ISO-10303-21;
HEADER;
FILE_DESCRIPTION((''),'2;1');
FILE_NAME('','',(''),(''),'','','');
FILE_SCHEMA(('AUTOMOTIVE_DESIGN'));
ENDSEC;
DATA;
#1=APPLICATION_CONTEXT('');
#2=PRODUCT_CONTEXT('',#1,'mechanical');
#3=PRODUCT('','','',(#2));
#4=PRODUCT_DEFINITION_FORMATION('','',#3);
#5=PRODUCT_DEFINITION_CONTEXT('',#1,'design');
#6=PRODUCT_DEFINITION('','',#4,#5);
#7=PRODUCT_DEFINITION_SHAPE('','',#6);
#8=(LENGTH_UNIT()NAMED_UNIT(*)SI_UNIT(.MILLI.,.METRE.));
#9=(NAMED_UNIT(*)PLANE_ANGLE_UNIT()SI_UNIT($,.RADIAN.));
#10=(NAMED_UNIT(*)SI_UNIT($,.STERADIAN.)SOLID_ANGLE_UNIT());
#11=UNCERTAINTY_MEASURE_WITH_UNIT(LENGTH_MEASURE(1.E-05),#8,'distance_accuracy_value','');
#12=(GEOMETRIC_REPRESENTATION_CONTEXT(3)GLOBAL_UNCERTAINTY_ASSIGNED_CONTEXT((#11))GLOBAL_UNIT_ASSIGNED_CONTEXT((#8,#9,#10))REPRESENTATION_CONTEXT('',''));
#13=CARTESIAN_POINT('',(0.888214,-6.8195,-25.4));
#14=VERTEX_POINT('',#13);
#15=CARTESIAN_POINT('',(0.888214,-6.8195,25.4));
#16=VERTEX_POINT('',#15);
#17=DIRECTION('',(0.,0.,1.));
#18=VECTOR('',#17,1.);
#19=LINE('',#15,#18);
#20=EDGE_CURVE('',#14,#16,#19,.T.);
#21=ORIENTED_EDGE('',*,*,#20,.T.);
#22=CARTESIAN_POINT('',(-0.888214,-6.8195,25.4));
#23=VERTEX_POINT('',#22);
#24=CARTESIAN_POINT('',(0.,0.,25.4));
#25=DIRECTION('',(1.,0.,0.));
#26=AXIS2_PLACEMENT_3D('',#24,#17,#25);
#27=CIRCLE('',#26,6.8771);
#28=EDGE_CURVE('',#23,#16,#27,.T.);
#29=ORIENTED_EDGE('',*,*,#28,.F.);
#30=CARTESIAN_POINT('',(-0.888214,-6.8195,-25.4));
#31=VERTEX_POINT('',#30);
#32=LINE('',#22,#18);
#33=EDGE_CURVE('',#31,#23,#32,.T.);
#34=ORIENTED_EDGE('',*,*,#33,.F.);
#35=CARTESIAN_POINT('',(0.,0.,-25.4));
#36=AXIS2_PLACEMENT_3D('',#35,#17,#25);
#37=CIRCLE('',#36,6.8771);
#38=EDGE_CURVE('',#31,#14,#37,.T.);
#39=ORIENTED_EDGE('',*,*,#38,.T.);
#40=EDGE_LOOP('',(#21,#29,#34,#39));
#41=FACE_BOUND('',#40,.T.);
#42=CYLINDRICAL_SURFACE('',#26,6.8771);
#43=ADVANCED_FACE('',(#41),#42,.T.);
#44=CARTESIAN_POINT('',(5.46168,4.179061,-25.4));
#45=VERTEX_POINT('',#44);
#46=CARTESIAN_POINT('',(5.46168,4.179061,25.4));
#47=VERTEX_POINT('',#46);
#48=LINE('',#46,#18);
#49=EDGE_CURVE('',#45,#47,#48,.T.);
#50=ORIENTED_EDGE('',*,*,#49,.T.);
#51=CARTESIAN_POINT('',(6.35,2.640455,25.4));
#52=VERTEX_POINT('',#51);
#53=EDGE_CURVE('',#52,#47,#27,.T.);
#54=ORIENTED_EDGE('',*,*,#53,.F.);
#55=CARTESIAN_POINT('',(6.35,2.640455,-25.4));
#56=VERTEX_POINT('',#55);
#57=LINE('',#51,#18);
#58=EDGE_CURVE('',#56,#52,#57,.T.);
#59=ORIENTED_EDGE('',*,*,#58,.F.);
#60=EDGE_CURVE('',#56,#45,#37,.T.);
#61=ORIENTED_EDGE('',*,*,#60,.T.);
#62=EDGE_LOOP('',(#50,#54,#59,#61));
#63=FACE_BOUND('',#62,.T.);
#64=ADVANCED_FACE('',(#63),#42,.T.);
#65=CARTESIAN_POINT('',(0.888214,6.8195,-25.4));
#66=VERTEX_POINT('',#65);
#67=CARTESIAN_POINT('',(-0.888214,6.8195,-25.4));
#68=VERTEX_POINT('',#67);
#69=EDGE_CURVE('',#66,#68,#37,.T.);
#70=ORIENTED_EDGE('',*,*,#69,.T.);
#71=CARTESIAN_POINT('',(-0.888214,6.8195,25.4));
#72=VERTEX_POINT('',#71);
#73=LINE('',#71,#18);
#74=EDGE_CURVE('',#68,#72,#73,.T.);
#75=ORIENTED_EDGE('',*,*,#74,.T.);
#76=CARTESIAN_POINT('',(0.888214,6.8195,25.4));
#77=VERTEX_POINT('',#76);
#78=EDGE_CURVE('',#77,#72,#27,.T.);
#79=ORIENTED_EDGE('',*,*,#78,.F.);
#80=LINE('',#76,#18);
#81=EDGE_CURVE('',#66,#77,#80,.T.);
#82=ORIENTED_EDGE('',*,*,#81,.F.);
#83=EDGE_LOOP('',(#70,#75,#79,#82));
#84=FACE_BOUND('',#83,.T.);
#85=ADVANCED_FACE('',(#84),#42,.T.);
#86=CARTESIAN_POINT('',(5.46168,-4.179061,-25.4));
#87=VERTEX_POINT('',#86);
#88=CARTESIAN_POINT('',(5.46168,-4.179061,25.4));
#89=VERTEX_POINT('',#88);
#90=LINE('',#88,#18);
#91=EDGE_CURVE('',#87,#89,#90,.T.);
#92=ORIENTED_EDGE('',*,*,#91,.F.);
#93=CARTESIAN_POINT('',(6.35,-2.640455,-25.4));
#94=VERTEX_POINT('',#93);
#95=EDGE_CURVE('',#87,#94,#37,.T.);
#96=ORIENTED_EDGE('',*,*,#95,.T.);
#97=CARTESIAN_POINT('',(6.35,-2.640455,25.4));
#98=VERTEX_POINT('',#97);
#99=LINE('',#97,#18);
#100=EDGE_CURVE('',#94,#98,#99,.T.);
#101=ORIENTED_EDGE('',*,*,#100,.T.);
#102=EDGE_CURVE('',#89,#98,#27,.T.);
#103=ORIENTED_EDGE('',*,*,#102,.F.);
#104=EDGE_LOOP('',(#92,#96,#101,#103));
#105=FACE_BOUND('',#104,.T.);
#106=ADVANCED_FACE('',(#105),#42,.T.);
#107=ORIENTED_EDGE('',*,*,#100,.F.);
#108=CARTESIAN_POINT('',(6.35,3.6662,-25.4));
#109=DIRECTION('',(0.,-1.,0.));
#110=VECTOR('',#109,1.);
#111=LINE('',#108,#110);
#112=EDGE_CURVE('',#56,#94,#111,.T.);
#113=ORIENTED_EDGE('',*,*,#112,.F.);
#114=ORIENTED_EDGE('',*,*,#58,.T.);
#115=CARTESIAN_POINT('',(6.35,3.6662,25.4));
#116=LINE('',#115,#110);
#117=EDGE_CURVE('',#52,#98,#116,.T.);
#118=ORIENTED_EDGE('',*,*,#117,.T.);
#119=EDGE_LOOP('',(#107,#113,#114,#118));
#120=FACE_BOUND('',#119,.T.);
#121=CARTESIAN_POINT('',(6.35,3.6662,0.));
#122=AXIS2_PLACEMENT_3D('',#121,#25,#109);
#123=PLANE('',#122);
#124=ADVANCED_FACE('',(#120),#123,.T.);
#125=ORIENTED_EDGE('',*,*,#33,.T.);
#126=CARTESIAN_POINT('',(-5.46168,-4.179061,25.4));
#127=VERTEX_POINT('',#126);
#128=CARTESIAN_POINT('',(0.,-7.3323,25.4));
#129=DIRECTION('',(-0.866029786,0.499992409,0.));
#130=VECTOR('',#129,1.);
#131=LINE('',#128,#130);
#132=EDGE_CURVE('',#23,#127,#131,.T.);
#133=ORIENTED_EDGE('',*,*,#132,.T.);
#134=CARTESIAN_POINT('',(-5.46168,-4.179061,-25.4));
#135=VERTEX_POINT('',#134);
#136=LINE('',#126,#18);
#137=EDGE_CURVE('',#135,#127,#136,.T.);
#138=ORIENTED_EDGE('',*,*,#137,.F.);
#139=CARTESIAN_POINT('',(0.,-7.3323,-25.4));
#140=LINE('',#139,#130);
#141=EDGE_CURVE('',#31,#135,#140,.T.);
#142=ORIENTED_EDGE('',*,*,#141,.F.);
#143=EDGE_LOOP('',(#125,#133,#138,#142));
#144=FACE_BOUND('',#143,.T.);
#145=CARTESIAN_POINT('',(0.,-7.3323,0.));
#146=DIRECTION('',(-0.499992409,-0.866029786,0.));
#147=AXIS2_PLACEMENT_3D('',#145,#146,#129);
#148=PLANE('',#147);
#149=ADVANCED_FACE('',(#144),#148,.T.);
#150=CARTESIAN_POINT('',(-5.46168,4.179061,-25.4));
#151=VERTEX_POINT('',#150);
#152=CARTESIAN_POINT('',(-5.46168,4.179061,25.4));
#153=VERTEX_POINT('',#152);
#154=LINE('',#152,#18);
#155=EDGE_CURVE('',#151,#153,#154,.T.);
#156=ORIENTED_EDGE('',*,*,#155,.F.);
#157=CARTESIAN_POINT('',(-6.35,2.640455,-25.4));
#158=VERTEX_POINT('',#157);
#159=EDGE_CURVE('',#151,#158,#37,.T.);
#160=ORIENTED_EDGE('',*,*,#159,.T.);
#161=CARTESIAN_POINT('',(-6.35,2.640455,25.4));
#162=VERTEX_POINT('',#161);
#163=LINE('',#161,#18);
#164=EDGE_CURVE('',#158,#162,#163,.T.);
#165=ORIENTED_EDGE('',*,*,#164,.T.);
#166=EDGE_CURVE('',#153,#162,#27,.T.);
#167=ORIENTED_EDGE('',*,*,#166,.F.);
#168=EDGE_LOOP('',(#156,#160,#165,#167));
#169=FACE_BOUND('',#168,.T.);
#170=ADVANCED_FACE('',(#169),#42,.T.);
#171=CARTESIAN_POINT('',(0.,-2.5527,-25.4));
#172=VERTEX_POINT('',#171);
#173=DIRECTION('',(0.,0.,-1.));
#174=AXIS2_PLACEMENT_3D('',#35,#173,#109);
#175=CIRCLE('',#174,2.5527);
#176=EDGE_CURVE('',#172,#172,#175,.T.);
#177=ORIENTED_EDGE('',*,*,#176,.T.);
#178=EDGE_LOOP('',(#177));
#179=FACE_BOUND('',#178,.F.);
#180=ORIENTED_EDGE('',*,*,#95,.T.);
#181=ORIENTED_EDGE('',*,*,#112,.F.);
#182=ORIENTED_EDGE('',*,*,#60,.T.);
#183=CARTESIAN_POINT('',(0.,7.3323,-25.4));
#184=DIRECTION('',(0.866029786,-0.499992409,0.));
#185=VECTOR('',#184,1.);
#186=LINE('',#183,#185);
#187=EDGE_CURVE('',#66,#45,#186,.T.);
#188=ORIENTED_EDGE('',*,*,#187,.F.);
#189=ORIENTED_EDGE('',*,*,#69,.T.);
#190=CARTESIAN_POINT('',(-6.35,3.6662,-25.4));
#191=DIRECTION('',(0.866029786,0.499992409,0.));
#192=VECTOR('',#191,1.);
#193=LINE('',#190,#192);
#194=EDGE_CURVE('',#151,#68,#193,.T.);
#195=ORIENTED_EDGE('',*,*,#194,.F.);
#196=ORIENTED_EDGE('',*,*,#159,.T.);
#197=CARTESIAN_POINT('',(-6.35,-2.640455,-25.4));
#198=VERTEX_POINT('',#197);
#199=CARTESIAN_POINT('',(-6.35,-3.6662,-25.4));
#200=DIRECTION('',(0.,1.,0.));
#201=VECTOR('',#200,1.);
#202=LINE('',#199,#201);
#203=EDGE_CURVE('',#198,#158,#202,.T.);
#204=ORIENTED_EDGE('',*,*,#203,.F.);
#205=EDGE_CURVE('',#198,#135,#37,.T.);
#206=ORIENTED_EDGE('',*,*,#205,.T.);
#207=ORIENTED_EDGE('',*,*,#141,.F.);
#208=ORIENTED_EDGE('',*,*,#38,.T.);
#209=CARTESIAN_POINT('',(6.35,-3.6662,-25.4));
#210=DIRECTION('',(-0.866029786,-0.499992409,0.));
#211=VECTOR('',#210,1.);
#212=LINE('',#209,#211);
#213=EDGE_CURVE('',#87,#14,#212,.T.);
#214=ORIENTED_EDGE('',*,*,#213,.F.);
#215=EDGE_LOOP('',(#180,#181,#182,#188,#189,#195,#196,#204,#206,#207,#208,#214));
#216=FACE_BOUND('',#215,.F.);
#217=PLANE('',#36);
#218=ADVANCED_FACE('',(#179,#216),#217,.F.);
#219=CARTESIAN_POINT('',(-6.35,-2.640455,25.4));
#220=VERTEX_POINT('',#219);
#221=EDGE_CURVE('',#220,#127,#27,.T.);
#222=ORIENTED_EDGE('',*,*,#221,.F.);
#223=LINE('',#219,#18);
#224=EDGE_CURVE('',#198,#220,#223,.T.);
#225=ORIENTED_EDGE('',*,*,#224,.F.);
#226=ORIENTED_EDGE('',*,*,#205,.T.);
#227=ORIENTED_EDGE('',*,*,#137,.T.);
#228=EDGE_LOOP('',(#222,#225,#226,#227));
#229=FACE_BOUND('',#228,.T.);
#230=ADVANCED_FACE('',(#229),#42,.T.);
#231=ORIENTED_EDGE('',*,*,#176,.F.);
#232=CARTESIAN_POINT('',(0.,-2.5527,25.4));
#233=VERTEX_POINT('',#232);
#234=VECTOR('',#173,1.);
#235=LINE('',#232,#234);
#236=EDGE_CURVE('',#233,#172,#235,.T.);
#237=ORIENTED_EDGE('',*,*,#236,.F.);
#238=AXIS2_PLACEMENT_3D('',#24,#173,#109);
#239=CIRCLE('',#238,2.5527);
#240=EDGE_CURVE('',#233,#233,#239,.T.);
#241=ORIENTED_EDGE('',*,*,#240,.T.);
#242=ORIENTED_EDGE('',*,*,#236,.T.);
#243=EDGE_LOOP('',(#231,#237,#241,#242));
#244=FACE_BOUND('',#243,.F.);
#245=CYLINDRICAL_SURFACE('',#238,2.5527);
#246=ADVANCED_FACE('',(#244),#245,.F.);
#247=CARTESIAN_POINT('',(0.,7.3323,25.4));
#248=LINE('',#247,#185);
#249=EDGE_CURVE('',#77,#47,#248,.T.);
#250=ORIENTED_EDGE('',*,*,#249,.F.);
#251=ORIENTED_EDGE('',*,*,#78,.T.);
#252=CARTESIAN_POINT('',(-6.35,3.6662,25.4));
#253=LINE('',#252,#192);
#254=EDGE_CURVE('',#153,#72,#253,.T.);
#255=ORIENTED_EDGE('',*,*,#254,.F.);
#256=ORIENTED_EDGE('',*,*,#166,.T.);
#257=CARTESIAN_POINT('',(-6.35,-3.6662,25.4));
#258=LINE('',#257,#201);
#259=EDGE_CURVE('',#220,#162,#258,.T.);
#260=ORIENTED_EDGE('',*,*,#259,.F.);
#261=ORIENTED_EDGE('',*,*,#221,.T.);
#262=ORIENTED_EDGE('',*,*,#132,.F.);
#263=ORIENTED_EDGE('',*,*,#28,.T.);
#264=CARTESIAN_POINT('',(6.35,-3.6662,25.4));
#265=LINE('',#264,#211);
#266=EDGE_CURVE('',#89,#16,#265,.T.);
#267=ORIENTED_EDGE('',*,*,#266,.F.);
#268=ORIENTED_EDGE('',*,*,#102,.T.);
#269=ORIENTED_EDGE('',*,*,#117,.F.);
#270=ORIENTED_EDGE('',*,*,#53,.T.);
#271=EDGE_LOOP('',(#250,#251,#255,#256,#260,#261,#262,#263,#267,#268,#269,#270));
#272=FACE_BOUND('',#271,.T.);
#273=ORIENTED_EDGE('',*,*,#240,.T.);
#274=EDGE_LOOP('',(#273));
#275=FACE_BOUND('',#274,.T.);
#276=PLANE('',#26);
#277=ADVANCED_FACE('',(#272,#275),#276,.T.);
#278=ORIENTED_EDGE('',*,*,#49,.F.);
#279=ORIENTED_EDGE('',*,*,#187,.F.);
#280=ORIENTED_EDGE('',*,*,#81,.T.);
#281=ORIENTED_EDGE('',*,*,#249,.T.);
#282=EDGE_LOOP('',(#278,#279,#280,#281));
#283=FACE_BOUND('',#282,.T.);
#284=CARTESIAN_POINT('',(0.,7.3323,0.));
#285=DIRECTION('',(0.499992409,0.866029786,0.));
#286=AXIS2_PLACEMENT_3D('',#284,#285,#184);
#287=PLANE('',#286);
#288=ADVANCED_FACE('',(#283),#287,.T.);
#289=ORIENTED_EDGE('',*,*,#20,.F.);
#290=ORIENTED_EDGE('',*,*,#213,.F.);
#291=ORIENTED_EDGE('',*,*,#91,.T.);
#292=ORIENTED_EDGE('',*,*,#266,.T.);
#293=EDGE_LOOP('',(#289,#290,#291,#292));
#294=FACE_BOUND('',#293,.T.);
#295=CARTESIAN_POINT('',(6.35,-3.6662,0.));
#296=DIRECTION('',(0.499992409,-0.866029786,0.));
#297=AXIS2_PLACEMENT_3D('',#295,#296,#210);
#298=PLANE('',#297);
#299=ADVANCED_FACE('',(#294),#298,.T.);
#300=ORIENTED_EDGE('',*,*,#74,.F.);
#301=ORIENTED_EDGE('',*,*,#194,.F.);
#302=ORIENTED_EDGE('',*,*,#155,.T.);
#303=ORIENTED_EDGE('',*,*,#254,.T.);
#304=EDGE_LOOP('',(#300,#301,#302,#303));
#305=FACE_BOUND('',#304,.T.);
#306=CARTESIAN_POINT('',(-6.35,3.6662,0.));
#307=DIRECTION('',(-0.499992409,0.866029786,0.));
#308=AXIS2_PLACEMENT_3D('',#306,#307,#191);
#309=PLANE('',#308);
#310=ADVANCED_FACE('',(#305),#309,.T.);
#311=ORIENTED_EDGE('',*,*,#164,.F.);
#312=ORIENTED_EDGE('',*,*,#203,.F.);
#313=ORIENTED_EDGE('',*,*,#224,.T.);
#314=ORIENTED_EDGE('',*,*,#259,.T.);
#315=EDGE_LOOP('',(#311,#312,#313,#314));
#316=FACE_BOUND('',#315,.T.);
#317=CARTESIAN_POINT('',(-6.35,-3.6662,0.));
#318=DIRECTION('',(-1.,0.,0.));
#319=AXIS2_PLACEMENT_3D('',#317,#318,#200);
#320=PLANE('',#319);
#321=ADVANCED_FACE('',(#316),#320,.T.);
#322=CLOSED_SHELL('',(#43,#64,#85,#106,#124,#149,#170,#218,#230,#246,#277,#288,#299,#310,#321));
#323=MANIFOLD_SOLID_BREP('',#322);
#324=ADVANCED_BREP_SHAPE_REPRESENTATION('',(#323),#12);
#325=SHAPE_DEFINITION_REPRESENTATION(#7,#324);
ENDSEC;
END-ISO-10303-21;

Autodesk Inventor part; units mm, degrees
ref_plane "YZ Plane" through (0, 0, 0) normal (1, 0, 0) x (0, 1, 0)
ref_plane "XZ Plane" through (0, 0, 0) normal (0, 1, 0) x (-1, 0, 0)
ref_plane "XY Plane" through (0, 0, 0) normal (0, 0, 1) x (1, 0, 0)
sketch "Sketch1" plane through (0, 0, 0) normal (0, 0, 1) x (1, 0, 0)
  line L0 (-6.35, -3.6662) -> (-6.35, 3.6662)
  line L1 (-6.35, 3.6662) -> (0, 7.3323)
  line L2 (0, 7.3323) -> (6.35, 3.6662)
  line L3 (6.35, 3.6662) -> (6.35, -3.6662)
  line L4 (6.35, -3.6662) -> (0, -7.3323)
  line L5 (0, -7.3323) -> (-6.35, -3.6662)
  point P0 (0, 0)
  point P1 (0, 0)
  dimension "Size" = 12.7
extrude "Extrusion1" add sketch "Sketch1" along normal mid plane 50.8
sketch "Sketch3" plane through (0, 0, 25.4) normal (0, 0, 1) x (1, 0, 0)
  line L0 (-6.35, 3.6662) -> (0, 7.3323) construction
  line L1 (0, 7.3323) -> (6.35, 3.6662) construction
  line L2 (6.35, 3.6662) -> (6.35, -3.6662) construction
  line L3 (6.35, -3.6662) -> (0, -7.3323) construction
  line L4 (0, -7.3323) -> (-6.35, -3.6662) construction
  line L5 (-6.35, -3.6662) -> (-6.35, 3.6662) construction
  point P0 (0, 0)
hole "Hole1" at (0, 0, 25.4) direction (0, 0, -1) diameter 5.1054 end through all
sketch "Sketch4" plane through (0, 0, 25.4) normal (0, 0, 1) x (1, 0, 0)
  circle A0 centre (0, 0) radius 2.5527 construction
  line L0 (-6.35, 3.6662) -> (0, 7.3323) construction
  line L1 (0, 7.3323) -> (6.35, 3.6662) construction
  line L2 (6.35, 3.6662) -> (6.35, -3.6662) construction
  line L3 (6.35, -3.6662) -> (0, -7.3323) construction
  line L4 (0, -7.3323) -> (-6.35, -3.6662) construction
  line L5 (-6.35, -3.6662) -> (-6.35, 3.6662) construction
  circle A1 centre (0, 0) radius 6.8771
  circle A2 centre (0, 0) radius 8.89
  dimension "thunder" = 13.7541
  dimension "d16" = 17.78
extrude "Extrusion3" cut sketch "Sketch4" against normal through all
equation "\"bearing\" = 25.4"
properties part number "ThunderHex Shaft" material "Aluminum 6061"
